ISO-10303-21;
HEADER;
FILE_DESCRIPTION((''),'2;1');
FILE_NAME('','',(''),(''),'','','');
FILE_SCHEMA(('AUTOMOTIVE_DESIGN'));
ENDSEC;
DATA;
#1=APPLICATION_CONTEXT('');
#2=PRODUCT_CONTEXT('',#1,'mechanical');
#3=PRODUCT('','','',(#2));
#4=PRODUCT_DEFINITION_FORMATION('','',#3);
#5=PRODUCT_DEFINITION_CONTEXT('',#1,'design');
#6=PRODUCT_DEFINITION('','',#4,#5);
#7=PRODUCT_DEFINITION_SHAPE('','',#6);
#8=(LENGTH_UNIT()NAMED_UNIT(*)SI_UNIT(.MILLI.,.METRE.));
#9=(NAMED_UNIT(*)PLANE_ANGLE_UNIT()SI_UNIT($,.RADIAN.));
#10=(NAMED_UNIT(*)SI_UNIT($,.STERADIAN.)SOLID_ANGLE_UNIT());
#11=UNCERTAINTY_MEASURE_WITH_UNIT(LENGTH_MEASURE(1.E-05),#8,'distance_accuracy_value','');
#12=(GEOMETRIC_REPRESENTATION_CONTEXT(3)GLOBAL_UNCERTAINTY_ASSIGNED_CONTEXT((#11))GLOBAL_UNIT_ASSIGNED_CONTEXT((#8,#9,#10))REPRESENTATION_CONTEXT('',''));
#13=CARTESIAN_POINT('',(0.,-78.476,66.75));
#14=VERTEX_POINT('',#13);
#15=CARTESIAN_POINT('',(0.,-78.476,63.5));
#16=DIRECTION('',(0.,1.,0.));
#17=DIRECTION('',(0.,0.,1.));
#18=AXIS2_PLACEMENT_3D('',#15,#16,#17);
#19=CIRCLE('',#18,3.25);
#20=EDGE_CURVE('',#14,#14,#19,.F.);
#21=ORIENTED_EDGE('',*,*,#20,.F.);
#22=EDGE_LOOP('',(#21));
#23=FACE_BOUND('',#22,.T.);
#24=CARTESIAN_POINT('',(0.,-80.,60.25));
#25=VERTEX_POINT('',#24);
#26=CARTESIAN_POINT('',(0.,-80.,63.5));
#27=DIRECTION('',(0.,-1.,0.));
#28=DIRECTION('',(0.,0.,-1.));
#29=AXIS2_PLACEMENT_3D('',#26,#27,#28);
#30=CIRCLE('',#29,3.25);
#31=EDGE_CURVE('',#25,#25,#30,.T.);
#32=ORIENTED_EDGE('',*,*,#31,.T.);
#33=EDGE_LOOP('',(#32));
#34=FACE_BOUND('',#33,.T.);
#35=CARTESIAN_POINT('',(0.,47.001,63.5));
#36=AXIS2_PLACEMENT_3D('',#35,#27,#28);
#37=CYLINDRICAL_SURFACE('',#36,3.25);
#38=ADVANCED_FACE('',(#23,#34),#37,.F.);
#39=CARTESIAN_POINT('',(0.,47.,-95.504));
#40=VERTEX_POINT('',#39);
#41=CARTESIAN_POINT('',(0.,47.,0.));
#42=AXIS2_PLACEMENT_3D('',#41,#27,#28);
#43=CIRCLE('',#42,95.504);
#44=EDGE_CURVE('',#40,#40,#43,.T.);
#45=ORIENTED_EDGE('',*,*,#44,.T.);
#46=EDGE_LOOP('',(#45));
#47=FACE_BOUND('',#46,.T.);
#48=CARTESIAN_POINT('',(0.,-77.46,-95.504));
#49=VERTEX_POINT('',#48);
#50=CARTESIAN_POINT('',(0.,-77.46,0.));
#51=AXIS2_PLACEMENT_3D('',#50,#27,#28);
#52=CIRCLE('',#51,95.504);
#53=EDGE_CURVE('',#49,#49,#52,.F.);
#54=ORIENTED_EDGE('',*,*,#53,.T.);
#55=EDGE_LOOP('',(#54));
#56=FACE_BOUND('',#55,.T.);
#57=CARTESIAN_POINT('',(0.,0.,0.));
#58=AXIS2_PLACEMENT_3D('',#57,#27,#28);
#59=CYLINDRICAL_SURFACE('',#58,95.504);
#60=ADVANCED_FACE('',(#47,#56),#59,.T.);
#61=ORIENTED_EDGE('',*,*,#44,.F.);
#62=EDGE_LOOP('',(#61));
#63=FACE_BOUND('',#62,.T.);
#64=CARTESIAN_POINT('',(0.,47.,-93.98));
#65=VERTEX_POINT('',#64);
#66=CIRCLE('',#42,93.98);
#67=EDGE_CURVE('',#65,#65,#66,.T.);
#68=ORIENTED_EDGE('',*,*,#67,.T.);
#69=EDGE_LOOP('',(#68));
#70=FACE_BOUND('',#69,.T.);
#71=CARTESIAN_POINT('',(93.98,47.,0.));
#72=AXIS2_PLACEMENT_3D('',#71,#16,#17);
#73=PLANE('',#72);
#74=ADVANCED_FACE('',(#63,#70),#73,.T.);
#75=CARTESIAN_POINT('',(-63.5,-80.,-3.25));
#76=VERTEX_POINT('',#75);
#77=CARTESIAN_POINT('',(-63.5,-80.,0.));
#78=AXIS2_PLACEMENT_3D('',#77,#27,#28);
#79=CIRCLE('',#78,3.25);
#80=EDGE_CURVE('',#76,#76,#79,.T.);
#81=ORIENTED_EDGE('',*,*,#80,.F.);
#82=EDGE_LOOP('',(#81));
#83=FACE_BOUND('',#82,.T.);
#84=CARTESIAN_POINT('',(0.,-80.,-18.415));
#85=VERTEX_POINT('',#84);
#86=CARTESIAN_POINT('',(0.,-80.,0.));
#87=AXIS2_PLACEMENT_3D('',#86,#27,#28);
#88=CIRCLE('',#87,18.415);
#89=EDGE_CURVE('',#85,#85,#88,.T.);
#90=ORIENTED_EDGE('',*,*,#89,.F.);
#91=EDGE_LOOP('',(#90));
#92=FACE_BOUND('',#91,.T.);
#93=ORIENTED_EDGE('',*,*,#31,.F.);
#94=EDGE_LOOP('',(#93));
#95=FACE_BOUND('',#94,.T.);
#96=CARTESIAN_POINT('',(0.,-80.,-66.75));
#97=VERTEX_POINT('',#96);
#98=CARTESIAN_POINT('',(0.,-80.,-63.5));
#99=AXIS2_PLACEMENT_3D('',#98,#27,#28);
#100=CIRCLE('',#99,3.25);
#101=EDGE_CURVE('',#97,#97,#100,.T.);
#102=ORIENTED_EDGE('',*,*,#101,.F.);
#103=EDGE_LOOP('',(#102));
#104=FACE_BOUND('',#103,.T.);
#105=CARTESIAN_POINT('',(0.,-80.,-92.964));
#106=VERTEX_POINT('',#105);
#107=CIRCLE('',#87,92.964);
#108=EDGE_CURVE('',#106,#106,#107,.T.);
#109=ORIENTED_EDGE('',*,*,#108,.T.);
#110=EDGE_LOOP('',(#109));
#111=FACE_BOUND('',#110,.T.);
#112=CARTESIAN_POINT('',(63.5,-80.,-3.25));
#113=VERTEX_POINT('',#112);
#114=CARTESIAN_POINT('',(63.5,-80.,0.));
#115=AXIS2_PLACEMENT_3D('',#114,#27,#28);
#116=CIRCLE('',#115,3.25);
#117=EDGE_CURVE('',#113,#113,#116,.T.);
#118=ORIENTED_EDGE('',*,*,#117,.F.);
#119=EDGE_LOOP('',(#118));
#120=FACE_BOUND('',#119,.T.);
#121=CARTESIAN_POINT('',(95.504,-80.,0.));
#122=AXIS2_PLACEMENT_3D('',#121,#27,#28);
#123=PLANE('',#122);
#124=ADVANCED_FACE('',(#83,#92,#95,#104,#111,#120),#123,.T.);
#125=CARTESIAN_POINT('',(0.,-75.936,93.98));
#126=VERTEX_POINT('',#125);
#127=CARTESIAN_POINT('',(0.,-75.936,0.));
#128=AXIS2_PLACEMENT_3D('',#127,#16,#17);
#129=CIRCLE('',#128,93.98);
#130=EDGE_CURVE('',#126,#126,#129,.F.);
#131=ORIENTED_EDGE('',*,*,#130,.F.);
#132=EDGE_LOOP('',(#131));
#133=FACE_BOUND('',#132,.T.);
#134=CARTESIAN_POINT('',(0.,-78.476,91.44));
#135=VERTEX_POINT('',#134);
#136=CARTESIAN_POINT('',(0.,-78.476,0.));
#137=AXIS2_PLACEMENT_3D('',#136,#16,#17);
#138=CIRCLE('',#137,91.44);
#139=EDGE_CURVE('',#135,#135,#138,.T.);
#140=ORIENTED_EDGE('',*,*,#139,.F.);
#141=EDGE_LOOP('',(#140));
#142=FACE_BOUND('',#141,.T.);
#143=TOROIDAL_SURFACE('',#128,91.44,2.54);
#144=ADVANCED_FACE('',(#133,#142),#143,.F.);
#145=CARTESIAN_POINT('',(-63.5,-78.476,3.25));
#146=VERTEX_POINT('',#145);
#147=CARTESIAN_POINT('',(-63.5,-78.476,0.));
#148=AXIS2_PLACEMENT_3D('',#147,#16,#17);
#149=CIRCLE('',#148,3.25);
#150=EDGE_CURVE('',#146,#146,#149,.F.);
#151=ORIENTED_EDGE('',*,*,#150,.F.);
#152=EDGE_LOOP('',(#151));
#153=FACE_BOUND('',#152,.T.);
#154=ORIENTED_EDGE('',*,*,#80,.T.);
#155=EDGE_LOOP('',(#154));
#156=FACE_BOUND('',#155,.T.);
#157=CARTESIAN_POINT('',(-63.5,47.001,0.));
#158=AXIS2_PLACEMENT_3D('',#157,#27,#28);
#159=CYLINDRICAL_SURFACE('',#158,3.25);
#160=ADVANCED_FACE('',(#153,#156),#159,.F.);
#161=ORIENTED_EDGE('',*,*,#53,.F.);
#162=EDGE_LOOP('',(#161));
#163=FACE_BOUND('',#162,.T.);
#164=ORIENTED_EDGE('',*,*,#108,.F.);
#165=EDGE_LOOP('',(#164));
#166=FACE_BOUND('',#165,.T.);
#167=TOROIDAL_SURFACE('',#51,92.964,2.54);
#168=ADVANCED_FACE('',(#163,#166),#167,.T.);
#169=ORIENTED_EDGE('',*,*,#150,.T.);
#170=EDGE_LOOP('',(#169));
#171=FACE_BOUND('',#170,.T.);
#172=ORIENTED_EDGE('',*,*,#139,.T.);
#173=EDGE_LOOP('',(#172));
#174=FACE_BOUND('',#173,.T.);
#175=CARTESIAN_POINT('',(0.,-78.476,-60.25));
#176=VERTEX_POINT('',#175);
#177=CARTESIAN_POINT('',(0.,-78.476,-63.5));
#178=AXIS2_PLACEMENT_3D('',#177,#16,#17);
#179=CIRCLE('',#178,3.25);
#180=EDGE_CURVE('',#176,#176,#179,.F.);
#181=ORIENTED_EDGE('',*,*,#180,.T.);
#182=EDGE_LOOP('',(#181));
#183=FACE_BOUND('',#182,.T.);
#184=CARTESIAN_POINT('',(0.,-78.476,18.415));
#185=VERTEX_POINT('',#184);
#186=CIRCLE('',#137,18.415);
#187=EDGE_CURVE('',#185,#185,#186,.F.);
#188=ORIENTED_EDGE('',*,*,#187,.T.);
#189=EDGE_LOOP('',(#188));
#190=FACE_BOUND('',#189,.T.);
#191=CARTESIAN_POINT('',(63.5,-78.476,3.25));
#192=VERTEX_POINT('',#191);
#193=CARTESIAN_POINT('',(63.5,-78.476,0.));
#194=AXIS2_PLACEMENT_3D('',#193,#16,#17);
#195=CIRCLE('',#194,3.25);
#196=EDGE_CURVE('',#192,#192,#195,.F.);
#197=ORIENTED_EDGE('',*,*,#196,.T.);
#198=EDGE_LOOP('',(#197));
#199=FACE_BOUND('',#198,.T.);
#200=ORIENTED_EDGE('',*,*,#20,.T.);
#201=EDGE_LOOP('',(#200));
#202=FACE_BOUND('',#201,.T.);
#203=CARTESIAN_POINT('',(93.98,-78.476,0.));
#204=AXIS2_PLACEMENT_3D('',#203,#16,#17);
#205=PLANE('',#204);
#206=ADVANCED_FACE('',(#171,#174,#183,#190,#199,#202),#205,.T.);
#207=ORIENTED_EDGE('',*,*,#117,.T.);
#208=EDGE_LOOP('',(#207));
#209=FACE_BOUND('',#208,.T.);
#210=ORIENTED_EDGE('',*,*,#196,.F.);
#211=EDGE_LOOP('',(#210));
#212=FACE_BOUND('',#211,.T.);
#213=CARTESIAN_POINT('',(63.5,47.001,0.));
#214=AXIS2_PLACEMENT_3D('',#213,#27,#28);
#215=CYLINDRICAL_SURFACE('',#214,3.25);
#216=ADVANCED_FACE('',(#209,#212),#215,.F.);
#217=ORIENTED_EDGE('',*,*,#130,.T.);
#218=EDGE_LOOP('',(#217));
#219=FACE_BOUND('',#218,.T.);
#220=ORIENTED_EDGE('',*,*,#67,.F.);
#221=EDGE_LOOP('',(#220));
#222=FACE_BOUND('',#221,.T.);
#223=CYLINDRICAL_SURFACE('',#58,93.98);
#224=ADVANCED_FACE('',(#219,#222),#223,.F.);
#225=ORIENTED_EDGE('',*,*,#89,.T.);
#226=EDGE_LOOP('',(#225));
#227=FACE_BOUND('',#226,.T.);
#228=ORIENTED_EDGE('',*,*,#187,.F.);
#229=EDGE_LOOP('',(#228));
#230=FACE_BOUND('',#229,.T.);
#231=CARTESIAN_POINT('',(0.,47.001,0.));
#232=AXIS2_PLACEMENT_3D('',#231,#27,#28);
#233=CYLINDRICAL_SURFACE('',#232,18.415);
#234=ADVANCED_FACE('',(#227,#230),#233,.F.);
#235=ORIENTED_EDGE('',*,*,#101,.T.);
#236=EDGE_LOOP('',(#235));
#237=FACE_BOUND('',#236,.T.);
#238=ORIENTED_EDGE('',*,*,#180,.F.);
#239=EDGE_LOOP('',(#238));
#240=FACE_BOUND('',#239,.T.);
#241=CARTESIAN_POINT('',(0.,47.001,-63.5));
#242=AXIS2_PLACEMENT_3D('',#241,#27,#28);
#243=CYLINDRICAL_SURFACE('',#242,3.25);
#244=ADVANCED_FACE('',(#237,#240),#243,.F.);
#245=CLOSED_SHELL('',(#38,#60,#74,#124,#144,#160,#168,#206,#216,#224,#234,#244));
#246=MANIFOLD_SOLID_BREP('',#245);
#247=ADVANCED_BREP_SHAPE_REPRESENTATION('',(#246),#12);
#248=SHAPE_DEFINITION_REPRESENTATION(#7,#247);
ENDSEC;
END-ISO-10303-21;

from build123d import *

# Parameters (mm, degrees)
CUT_EXTRUDE2_REACH = 187.394
MOTOR_HOLE_R       = 18.415
MOTOR_HOLE_R_2     = 3.25
FILLET1_R          = 2.54


with BuildPart() as part:
    # Compartment → Revolve1 (revolve)
    with BuildSketch(Plane.XY, mode=Mode.PRIVATE) as revolve1_sk:
        Polygon((95.504, -80), (0, -80), (0, -78.476), (93.98, -78.476), (93.98, 47), (95.504, 47), align=None)
    revolve(revolve1_sk.sketch.rotate(Axis((0, 0, 0), (0, 1, 0)), 90), axis=Axis((0, 0, 0), (0, 1, 0)))

    # Motor Hole → Cut-Extrude2 (cut, up to next)
    with BuildSketch(Plane.XZ.offset(80), mode=Mode.PRIVATE) as cut_extrude2_sk1:
        with Locations(Location((0, 0, 0), (0, 0, 270))):
            Circle(MOTOR_HOLE_R)
    cut_extrude2_tool1 = extrude(cut_extrude2_sk1.sketch, amount=-CUT_EXTRUDE2_REACH, mode=Mode.PRIVATE) & part.part
    # Motor Hole → Cut-Extrude2 (cut, up to next)
    with BuildSketch(Plane.XZ.offset(80), mode=Mode.PRIVATE) as cut_extrude2_sk2:
        with Locations(Location((0, 63.5, 0), (0, 0, 270))):
            Circle(MOTOR_HOLE_R_2)
    cut_extrude2_tool2 = extrude(cut_extrude2_sk2.sketch, amount=-CUT_EXTRUDE2_REACH, mode=Mode.PRIVATE) & part.part
    # Motor Hole → Cut-Extrude2 (cut, up to next)
    with BuildSketch(Plane.XZ.offset(80), mode=Mode.PRIVATE) as cut_extrude2_sk3:
        with Locations(Location((63.5, 0, 0), (0, 0, 270))):
            Circle(MOTOR_HOLE_R_2)
    cut_extrude2_tool3 = extrude(cut_extrude2_sk3.sketch, amount=-CUT_EXTRUDE2_REACH, mode=Mode.PRIVATE) & part.part
    # Motor Hole → Cut-Extrude2 (cut, up to next)
    with BuildSketch(Plane.XZ.offset(80), mode=Mode.PRIVATE) as cut_extrude2_sk4:
        with Locations(Location((0, -63.5, 0), (0, 0, 270))):
            Circle(MOTOR_HOLE_R_2)
    cut_extrude2_tool4 = extrude(cut_extrude2_sk4.sketch, amount=-CUT_EXTRUDE2_REACH, mode=Mode.PRIVATE) & part.part
    # Motor Hole → Cut-Extrude2 (cut, up to next)
    with BuildSketch(Plane.XZ.offset(80), mode=Mode.PRIVATE) as cut_extrude2_sk5:
        with Locations(Location((-63.5, 0, 0), (0, 0, 270))):
            Circle(MOTOR_HOLE_R_2)
    cut_extrude2_tool5 = extrude(cut_extrude2_sk5.sketch, amount=-CUT_EXTRUDE2_REACH, mode=Mode.PRIVATE) & part.part
    add(cut_extrude2_tool1.solids().sort_by_distance((0, -80, 0))[0], mode=Mode.SUBTRACT)
    add(cut_extrude2_tool2.solids().sort_by_distance((0, -80, 63.5))[0], mode=Mode.SUBTRACT)
    add(cut_extrude2_tool3.solids().sort_by_distance((63.5, -80, 0))[0], mode=Mode.SUBTRACT)
    add(cut_extrude2_tool4.solids().sort_by_distance((0, -80, -63.5))[0], mode=Mode.SUBTRACT)
    add(cut_extrude2_tool5.solids().sort_by_distance((-63.5, -80, 0))[0], mode=Mode.SUBTRACT)

    # Fillet1
    fillet1_edges = [part.edges().sort_by_distance(p)[0] for p in [
        (0, -78.476, 93.98),
        (0, -80, 95.504),
    ]]
    fillet(fillet1_edges, radius=FILLET1_R)


solid = part.part
